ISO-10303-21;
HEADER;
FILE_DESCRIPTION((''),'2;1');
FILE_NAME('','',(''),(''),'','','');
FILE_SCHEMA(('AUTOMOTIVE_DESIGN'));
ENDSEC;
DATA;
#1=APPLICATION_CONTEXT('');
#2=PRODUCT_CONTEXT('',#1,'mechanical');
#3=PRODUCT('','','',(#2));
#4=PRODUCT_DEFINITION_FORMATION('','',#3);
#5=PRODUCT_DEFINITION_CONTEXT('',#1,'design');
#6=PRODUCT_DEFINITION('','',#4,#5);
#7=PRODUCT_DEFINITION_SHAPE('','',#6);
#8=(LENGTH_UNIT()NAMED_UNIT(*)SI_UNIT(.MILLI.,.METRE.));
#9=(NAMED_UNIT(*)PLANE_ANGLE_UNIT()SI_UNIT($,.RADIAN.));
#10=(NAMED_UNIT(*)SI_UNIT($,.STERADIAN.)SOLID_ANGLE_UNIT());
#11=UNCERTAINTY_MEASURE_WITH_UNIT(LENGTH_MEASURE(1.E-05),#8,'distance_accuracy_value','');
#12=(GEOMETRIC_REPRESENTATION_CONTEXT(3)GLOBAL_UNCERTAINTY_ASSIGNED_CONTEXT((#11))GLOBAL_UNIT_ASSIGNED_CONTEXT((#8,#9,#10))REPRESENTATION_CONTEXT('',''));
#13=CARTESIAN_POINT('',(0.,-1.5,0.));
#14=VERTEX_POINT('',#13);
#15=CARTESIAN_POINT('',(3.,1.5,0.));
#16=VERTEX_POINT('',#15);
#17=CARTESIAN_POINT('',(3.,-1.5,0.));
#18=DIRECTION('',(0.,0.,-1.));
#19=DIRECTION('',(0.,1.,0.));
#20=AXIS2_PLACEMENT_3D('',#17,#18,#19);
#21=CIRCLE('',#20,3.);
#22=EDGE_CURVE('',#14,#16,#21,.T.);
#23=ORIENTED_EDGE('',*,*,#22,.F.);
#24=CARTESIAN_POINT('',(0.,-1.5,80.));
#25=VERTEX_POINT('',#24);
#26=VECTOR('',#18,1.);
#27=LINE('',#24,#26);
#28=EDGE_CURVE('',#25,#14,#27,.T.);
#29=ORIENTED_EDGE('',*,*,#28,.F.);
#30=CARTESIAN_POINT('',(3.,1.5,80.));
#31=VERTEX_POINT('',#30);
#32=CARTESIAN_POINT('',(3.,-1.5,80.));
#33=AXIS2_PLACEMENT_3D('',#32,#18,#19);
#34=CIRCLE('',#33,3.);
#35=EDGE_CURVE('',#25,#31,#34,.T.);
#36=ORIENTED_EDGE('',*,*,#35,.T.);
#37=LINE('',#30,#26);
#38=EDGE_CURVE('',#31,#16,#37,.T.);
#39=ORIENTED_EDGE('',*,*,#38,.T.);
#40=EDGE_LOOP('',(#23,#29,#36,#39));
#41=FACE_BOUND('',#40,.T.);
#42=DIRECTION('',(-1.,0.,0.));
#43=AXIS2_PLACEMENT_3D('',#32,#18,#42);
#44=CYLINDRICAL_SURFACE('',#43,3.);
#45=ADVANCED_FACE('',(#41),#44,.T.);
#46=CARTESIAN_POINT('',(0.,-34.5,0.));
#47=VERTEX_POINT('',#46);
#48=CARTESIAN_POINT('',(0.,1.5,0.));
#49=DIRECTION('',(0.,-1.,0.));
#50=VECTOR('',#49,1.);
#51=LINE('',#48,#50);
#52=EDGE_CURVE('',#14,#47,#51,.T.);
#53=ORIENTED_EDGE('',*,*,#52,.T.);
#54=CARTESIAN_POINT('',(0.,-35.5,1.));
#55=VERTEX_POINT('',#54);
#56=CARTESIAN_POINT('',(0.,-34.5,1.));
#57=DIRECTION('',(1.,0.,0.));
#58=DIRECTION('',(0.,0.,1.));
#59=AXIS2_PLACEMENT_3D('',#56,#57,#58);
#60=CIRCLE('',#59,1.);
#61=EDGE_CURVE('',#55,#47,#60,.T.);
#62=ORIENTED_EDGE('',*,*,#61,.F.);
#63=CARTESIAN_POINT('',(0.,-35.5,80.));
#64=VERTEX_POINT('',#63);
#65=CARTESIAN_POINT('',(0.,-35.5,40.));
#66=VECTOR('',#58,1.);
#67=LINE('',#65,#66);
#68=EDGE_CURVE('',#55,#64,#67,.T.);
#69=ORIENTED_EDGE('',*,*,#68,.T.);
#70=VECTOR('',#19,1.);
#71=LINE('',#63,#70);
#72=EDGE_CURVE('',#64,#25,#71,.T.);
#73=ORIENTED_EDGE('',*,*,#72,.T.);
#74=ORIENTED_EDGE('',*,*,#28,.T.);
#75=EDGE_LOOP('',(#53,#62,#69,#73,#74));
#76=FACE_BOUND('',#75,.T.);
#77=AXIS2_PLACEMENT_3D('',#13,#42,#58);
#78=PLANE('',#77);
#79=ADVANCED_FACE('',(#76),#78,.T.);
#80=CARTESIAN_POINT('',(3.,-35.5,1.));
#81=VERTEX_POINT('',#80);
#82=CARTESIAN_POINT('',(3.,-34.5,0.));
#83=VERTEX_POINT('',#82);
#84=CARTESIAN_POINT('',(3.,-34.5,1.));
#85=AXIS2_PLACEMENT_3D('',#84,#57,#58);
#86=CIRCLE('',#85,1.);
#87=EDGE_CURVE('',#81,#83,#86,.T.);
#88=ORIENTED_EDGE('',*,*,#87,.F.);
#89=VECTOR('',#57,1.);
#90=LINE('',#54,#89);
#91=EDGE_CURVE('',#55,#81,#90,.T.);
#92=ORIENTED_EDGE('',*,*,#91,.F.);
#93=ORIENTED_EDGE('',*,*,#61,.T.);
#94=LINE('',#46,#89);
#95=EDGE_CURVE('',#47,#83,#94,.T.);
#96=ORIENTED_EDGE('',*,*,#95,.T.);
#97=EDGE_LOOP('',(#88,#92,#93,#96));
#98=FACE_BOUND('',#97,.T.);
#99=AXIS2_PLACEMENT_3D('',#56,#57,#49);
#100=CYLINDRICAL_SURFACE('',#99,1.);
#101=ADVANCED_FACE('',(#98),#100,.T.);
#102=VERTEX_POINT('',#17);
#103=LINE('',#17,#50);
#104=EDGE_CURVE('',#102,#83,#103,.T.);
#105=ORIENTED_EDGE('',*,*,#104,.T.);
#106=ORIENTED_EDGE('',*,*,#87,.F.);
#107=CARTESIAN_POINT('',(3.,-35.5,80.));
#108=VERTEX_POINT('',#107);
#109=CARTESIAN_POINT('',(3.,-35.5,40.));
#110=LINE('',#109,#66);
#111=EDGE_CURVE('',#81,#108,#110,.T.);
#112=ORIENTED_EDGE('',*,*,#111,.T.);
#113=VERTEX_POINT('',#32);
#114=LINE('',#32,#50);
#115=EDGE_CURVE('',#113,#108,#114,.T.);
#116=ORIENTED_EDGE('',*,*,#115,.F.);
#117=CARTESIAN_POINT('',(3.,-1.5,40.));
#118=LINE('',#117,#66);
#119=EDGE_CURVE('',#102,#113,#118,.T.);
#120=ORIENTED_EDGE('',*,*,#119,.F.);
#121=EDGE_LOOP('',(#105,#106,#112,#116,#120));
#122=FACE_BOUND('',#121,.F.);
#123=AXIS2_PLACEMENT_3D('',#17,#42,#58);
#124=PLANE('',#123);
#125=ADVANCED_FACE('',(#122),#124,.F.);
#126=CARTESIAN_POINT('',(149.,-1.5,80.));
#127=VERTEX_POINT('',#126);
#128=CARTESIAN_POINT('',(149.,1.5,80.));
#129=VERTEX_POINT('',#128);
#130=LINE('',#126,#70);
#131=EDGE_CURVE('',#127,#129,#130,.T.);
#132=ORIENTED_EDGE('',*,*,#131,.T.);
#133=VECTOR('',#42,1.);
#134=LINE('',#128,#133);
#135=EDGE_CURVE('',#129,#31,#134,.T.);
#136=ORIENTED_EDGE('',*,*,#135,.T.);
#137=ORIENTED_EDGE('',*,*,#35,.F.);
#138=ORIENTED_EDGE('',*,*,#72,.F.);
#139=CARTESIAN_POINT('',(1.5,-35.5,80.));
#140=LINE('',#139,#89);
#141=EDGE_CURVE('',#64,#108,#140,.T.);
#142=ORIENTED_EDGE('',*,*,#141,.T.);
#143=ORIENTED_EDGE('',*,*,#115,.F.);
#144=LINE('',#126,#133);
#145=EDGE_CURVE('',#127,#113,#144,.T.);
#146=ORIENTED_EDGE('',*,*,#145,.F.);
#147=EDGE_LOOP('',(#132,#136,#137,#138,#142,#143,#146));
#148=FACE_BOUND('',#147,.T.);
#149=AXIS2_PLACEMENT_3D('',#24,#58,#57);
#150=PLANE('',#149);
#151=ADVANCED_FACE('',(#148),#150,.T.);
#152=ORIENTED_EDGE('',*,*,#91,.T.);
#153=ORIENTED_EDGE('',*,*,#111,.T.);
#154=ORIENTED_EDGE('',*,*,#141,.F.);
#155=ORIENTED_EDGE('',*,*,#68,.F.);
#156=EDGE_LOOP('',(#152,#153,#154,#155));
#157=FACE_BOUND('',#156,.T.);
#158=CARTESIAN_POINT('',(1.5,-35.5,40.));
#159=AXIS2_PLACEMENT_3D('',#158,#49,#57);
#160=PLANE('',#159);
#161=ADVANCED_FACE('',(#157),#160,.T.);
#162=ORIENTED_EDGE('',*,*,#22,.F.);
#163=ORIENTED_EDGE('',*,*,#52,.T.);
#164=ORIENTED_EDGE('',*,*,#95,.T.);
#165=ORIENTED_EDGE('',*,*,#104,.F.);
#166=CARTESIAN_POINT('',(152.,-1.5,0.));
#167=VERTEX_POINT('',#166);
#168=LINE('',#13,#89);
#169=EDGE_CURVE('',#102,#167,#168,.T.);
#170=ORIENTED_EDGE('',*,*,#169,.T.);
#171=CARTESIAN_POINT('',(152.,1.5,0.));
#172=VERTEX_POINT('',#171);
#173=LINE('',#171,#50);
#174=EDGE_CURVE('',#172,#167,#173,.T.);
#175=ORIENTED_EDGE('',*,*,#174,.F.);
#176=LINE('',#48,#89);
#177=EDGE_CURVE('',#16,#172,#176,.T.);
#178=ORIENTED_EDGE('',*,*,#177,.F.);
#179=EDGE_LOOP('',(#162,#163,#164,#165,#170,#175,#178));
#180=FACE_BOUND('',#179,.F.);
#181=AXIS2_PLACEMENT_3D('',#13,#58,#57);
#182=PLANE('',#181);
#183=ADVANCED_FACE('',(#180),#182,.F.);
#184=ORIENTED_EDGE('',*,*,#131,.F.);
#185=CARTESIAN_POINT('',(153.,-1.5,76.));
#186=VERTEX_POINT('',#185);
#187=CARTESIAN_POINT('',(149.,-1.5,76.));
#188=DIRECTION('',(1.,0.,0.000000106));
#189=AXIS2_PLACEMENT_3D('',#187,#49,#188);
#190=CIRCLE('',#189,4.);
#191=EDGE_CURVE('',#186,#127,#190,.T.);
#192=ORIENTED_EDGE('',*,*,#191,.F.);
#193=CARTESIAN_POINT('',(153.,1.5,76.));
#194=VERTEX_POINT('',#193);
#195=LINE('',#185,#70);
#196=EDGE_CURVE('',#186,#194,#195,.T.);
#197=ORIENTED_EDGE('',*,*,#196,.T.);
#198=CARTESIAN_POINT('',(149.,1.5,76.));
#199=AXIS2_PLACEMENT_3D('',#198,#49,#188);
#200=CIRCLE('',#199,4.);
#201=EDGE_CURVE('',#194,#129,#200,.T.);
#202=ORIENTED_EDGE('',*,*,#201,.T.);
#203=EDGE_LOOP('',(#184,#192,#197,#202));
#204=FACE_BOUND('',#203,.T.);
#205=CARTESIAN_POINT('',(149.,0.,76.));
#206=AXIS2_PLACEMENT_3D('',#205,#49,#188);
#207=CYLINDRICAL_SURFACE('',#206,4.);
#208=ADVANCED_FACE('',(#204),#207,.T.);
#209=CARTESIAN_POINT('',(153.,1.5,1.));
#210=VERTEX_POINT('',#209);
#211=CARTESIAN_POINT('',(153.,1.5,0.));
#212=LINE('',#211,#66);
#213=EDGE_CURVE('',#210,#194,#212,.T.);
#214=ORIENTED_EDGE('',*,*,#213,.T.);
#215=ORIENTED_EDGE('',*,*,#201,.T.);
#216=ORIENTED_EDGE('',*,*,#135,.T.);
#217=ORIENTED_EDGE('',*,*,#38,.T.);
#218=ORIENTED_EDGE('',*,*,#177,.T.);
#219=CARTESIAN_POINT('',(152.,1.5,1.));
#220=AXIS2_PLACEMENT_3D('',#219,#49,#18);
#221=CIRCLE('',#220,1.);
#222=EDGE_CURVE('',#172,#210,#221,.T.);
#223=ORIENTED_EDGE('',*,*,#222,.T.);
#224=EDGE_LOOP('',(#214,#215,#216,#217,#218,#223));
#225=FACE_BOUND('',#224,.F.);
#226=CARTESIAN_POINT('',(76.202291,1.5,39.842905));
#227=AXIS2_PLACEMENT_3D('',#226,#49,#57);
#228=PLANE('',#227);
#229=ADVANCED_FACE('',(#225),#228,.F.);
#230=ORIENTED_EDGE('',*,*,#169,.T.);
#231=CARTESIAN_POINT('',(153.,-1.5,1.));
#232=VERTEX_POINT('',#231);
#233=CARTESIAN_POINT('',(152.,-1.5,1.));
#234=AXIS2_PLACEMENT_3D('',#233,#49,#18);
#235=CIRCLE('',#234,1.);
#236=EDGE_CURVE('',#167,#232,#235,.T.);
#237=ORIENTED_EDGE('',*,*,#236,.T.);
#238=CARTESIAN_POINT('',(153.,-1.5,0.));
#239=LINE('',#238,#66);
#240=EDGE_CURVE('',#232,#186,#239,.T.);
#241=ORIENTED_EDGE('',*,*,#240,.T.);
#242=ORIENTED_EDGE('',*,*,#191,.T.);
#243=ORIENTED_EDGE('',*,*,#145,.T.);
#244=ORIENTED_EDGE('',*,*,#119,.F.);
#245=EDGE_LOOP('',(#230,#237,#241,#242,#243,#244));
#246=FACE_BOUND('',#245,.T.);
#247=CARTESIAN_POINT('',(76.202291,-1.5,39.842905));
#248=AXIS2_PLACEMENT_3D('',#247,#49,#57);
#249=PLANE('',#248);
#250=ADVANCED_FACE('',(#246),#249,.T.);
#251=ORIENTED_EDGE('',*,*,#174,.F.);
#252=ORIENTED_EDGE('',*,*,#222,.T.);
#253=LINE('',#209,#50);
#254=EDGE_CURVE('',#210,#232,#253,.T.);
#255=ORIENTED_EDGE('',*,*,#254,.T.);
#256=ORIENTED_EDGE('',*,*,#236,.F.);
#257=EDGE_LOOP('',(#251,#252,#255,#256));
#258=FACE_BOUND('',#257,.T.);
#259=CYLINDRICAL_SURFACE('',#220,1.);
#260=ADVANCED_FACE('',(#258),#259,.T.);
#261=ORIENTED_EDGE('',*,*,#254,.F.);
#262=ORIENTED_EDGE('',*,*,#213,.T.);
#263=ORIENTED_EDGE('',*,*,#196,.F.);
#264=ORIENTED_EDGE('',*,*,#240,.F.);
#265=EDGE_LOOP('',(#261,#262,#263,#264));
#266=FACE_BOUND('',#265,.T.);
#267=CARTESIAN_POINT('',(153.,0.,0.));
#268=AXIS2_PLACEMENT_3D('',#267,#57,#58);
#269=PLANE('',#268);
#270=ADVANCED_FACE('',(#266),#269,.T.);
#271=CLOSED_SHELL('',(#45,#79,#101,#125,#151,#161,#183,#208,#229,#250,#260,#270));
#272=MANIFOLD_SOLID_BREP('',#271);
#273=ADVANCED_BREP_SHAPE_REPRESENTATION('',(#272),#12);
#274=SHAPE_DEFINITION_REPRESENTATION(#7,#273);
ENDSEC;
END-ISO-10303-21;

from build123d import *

# Parameters (mm, degrees)
F1_DEPTH = 1.5
F2_W     = 3
F2_H     = 80
F3_DEPTH = 34
F4_R     = 3
F5_R     = 1


with BuildPart() as f1:
    # F0 (on Front) → F1 (new body, symmetric)
    with BuildSketch(Plane.XZ):
        with BuildLine():
            Line((0, 80), (0, 0))
            Line((0, 0), (153, 0))
            Line((153, 0), (153, 76))
            ThreePointArc((153, 76), (151.828427, 78.828427), (149, 80))
            Line((149, 80), (0, 80))
        make_face()
    extrude(amount=F1_DEPTH, both=True)

    # F2 (on face) → F3 (join)
    with BuildSketch(Plane.XZ.offset(1.5)):
        with Locations((1.5, 40)):
            Rectangle(F2_W, F2_H)
    extrude(amount=F3_DEPTH)

    # F4
    f4_edges = [f1.edges().sort_by_distance(p)[0] for p in [
        (0, 1.5, 40),
    ]]
    fillet(f4_edges, radius=F4_R)

    # F5
    f5_edges = [f1.edges().sort_by_distance(p)[0] for p in [
        (1.5, -35.5, 0),
        (153, 0, 0),
    ]]
    fillet(f5_edges, radius=F5_R)


solid = f1.part
